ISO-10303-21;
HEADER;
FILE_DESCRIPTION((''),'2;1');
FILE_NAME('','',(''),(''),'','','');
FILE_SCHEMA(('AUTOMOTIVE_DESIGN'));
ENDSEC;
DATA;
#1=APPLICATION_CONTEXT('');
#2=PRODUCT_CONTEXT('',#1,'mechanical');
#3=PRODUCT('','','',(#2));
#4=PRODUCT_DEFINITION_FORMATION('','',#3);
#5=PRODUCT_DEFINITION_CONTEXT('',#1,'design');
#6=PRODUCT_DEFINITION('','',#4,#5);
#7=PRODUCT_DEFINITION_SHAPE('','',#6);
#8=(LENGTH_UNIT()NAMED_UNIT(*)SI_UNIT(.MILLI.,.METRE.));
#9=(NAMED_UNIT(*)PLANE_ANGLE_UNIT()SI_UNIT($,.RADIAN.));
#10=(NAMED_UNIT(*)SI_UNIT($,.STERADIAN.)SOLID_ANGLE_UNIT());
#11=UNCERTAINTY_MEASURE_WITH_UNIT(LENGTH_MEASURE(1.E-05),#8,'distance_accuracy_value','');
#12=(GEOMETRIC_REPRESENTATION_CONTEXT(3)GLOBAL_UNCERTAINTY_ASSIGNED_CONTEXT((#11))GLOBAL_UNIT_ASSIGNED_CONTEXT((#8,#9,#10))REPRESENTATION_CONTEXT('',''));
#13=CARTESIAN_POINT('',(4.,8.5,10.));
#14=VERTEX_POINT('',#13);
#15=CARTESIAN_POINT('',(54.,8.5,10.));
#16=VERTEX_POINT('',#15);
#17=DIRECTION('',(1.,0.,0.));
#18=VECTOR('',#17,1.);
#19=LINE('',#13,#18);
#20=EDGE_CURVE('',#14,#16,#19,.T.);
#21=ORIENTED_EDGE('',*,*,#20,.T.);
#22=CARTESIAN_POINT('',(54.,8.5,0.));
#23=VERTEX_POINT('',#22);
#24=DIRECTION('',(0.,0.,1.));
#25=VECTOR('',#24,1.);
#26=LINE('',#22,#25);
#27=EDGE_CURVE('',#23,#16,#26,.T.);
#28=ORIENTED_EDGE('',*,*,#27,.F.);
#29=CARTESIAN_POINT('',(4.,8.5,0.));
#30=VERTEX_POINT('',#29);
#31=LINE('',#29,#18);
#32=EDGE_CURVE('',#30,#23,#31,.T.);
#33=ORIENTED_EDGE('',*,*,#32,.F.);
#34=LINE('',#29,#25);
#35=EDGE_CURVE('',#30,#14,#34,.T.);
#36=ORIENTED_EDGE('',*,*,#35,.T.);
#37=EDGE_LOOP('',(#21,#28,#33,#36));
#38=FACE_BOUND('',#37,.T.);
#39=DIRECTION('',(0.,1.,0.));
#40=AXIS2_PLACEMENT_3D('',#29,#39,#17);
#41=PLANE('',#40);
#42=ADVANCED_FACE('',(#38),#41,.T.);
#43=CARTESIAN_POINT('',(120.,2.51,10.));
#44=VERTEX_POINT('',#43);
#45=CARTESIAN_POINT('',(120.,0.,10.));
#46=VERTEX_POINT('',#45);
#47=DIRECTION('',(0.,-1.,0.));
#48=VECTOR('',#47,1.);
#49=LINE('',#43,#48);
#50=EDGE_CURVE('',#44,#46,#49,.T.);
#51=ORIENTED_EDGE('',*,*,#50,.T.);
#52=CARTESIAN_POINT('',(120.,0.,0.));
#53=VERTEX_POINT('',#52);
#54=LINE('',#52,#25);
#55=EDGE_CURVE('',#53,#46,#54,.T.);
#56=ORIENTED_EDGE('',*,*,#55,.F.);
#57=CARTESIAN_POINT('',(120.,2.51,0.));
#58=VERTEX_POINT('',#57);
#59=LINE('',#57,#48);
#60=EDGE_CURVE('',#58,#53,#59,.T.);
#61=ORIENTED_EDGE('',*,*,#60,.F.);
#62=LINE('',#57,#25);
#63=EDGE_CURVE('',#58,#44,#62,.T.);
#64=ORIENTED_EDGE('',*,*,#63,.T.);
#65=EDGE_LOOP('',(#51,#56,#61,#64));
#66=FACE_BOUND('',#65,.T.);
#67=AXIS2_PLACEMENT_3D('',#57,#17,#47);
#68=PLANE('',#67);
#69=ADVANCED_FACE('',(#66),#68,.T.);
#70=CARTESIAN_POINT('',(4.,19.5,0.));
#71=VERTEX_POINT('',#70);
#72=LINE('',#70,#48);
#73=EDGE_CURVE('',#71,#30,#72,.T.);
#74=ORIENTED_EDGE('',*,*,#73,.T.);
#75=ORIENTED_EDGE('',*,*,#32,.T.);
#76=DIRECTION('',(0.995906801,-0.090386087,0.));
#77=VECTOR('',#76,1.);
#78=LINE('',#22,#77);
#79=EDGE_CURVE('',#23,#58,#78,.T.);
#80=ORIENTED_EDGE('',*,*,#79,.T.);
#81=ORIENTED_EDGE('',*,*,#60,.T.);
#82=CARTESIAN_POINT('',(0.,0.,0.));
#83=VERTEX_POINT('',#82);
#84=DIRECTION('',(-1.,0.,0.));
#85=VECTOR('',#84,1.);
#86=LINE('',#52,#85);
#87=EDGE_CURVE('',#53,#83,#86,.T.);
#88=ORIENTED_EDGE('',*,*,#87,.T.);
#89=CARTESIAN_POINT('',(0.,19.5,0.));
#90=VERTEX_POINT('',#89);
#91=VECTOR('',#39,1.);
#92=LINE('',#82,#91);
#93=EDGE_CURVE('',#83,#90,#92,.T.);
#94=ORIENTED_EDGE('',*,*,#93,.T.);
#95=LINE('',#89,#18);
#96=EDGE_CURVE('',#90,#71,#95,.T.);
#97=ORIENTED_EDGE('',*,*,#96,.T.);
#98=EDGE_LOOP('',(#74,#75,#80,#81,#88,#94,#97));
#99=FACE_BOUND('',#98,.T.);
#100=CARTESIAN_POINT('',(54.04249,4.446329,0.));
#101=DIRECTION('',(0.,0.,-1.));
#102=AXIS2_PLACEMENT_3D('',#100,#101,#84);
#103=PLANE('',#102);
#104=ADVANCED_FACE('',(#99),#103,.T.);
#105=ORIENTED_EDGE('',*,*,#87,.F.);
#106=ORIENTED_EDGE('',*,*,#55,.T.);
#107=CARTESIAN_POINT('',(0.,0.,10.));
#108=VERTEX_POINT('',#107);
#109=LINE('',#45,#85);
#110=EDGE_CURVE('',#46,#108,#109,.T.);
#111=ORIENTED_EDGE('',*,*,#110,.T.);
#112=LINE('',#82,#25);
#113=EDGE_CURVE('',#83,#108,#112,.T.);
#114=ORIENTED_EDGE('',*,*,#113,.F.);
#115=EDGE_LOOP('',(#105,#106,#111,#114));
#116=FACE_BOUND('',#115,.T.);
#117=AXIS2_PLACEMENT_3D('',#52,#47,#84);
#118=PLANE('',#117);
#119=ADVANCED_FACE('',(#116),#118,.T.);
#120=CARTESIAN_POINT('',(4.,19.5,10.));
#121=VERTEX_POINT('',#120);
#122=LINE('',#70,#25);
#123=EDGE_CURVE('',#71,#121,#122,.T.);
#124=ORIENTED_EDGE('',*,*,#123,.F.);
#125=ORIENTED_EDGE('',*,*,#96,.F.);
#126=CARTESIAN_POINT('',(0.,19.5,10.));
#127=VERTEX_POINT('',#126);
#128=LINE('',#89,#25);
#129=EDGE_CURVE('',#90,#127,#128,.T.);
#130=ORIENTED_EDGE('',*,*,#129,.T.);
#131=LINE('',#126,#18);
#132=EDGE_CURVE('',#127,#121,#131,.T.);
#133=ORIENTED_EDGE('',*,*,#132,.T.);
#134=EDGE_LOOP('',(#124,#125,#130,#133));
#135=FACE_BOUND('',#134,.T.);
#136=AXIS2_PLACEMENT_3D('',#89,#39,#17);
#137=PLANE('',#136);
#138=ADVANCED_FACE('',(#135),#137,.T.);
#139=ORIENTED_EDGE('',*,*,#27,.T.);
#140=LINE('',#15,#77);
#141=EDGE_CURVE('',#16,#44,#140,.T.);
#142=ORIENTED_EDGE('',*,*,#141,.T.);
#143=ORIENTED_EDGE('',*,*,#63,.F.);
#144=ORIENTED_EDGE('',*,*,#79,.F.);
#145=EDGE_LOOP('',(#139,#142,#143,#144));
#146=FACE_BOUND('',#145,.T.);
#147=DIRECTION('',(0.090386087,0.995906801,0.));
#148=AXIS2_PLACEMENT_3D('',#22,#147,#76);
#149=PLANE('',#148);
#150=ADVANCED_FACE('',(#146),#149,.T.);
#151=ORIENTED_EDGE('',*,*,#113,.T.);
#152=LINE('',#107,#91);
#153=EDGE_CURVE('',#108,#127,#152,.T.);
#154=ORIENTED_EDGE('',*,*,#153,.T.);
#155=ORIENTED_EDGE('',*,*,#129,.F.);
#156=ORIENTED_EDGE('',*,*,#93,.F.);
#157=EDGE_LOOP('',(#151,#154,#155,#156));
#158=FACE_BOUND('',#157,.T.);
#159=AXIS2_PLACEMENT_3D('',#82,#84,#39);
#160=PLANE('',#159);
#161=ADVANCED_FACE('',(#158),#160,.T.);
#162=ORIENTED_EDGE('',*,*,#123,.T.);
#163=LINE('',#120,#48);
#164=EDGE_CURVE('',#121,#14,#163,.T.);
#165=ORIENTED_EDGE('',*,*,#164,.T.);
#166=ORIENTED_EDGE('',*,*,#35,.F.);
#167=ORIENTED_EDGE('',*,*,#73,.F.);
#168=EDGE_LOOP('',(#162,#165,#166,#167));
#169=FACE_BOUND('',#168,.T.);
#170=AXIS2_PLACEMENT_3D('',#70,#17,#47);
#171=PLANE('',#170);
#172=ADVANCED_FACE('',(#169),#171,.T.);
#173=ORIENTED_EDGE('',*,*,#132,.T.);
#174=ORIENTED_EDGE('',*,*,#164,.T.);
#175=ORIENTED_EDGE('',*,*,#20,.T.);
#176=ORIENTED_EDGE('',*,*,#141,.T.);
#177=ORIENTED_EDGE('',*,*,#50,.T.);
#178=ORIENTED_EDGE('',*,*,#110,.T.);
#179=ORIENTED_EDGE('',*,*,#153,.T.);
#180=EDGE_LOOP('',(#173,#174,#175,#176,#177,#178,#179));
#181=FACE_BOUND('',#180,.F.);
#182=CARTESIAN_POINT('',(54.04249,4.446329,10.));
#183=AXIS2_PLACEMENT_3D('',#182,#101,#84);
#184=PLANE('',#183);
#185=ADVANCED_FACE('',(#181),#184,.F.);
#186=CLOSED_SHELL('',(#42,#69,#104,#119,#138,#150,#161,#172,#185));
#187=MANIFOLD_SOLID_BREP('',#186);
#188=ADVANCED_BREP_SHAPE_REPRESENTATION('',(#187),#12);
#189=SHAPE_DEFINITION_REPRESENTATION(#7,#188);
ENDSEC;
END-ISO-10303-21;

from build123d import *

# Parameters (mm, degrees)
PAD_DEPTH = 10


with BuildPart() as part:
    # Sketch → Pad (new body)
    with BuildSketch(Plane.XY):
        Polygon((0, 0), (0, 19.5), (4, 19.5), (4, 8.5), (54, 8.5), (120, 2.51), (120, 0), align=None)
    extrude(amount=PAD_DEPTH)


solid = part.part
